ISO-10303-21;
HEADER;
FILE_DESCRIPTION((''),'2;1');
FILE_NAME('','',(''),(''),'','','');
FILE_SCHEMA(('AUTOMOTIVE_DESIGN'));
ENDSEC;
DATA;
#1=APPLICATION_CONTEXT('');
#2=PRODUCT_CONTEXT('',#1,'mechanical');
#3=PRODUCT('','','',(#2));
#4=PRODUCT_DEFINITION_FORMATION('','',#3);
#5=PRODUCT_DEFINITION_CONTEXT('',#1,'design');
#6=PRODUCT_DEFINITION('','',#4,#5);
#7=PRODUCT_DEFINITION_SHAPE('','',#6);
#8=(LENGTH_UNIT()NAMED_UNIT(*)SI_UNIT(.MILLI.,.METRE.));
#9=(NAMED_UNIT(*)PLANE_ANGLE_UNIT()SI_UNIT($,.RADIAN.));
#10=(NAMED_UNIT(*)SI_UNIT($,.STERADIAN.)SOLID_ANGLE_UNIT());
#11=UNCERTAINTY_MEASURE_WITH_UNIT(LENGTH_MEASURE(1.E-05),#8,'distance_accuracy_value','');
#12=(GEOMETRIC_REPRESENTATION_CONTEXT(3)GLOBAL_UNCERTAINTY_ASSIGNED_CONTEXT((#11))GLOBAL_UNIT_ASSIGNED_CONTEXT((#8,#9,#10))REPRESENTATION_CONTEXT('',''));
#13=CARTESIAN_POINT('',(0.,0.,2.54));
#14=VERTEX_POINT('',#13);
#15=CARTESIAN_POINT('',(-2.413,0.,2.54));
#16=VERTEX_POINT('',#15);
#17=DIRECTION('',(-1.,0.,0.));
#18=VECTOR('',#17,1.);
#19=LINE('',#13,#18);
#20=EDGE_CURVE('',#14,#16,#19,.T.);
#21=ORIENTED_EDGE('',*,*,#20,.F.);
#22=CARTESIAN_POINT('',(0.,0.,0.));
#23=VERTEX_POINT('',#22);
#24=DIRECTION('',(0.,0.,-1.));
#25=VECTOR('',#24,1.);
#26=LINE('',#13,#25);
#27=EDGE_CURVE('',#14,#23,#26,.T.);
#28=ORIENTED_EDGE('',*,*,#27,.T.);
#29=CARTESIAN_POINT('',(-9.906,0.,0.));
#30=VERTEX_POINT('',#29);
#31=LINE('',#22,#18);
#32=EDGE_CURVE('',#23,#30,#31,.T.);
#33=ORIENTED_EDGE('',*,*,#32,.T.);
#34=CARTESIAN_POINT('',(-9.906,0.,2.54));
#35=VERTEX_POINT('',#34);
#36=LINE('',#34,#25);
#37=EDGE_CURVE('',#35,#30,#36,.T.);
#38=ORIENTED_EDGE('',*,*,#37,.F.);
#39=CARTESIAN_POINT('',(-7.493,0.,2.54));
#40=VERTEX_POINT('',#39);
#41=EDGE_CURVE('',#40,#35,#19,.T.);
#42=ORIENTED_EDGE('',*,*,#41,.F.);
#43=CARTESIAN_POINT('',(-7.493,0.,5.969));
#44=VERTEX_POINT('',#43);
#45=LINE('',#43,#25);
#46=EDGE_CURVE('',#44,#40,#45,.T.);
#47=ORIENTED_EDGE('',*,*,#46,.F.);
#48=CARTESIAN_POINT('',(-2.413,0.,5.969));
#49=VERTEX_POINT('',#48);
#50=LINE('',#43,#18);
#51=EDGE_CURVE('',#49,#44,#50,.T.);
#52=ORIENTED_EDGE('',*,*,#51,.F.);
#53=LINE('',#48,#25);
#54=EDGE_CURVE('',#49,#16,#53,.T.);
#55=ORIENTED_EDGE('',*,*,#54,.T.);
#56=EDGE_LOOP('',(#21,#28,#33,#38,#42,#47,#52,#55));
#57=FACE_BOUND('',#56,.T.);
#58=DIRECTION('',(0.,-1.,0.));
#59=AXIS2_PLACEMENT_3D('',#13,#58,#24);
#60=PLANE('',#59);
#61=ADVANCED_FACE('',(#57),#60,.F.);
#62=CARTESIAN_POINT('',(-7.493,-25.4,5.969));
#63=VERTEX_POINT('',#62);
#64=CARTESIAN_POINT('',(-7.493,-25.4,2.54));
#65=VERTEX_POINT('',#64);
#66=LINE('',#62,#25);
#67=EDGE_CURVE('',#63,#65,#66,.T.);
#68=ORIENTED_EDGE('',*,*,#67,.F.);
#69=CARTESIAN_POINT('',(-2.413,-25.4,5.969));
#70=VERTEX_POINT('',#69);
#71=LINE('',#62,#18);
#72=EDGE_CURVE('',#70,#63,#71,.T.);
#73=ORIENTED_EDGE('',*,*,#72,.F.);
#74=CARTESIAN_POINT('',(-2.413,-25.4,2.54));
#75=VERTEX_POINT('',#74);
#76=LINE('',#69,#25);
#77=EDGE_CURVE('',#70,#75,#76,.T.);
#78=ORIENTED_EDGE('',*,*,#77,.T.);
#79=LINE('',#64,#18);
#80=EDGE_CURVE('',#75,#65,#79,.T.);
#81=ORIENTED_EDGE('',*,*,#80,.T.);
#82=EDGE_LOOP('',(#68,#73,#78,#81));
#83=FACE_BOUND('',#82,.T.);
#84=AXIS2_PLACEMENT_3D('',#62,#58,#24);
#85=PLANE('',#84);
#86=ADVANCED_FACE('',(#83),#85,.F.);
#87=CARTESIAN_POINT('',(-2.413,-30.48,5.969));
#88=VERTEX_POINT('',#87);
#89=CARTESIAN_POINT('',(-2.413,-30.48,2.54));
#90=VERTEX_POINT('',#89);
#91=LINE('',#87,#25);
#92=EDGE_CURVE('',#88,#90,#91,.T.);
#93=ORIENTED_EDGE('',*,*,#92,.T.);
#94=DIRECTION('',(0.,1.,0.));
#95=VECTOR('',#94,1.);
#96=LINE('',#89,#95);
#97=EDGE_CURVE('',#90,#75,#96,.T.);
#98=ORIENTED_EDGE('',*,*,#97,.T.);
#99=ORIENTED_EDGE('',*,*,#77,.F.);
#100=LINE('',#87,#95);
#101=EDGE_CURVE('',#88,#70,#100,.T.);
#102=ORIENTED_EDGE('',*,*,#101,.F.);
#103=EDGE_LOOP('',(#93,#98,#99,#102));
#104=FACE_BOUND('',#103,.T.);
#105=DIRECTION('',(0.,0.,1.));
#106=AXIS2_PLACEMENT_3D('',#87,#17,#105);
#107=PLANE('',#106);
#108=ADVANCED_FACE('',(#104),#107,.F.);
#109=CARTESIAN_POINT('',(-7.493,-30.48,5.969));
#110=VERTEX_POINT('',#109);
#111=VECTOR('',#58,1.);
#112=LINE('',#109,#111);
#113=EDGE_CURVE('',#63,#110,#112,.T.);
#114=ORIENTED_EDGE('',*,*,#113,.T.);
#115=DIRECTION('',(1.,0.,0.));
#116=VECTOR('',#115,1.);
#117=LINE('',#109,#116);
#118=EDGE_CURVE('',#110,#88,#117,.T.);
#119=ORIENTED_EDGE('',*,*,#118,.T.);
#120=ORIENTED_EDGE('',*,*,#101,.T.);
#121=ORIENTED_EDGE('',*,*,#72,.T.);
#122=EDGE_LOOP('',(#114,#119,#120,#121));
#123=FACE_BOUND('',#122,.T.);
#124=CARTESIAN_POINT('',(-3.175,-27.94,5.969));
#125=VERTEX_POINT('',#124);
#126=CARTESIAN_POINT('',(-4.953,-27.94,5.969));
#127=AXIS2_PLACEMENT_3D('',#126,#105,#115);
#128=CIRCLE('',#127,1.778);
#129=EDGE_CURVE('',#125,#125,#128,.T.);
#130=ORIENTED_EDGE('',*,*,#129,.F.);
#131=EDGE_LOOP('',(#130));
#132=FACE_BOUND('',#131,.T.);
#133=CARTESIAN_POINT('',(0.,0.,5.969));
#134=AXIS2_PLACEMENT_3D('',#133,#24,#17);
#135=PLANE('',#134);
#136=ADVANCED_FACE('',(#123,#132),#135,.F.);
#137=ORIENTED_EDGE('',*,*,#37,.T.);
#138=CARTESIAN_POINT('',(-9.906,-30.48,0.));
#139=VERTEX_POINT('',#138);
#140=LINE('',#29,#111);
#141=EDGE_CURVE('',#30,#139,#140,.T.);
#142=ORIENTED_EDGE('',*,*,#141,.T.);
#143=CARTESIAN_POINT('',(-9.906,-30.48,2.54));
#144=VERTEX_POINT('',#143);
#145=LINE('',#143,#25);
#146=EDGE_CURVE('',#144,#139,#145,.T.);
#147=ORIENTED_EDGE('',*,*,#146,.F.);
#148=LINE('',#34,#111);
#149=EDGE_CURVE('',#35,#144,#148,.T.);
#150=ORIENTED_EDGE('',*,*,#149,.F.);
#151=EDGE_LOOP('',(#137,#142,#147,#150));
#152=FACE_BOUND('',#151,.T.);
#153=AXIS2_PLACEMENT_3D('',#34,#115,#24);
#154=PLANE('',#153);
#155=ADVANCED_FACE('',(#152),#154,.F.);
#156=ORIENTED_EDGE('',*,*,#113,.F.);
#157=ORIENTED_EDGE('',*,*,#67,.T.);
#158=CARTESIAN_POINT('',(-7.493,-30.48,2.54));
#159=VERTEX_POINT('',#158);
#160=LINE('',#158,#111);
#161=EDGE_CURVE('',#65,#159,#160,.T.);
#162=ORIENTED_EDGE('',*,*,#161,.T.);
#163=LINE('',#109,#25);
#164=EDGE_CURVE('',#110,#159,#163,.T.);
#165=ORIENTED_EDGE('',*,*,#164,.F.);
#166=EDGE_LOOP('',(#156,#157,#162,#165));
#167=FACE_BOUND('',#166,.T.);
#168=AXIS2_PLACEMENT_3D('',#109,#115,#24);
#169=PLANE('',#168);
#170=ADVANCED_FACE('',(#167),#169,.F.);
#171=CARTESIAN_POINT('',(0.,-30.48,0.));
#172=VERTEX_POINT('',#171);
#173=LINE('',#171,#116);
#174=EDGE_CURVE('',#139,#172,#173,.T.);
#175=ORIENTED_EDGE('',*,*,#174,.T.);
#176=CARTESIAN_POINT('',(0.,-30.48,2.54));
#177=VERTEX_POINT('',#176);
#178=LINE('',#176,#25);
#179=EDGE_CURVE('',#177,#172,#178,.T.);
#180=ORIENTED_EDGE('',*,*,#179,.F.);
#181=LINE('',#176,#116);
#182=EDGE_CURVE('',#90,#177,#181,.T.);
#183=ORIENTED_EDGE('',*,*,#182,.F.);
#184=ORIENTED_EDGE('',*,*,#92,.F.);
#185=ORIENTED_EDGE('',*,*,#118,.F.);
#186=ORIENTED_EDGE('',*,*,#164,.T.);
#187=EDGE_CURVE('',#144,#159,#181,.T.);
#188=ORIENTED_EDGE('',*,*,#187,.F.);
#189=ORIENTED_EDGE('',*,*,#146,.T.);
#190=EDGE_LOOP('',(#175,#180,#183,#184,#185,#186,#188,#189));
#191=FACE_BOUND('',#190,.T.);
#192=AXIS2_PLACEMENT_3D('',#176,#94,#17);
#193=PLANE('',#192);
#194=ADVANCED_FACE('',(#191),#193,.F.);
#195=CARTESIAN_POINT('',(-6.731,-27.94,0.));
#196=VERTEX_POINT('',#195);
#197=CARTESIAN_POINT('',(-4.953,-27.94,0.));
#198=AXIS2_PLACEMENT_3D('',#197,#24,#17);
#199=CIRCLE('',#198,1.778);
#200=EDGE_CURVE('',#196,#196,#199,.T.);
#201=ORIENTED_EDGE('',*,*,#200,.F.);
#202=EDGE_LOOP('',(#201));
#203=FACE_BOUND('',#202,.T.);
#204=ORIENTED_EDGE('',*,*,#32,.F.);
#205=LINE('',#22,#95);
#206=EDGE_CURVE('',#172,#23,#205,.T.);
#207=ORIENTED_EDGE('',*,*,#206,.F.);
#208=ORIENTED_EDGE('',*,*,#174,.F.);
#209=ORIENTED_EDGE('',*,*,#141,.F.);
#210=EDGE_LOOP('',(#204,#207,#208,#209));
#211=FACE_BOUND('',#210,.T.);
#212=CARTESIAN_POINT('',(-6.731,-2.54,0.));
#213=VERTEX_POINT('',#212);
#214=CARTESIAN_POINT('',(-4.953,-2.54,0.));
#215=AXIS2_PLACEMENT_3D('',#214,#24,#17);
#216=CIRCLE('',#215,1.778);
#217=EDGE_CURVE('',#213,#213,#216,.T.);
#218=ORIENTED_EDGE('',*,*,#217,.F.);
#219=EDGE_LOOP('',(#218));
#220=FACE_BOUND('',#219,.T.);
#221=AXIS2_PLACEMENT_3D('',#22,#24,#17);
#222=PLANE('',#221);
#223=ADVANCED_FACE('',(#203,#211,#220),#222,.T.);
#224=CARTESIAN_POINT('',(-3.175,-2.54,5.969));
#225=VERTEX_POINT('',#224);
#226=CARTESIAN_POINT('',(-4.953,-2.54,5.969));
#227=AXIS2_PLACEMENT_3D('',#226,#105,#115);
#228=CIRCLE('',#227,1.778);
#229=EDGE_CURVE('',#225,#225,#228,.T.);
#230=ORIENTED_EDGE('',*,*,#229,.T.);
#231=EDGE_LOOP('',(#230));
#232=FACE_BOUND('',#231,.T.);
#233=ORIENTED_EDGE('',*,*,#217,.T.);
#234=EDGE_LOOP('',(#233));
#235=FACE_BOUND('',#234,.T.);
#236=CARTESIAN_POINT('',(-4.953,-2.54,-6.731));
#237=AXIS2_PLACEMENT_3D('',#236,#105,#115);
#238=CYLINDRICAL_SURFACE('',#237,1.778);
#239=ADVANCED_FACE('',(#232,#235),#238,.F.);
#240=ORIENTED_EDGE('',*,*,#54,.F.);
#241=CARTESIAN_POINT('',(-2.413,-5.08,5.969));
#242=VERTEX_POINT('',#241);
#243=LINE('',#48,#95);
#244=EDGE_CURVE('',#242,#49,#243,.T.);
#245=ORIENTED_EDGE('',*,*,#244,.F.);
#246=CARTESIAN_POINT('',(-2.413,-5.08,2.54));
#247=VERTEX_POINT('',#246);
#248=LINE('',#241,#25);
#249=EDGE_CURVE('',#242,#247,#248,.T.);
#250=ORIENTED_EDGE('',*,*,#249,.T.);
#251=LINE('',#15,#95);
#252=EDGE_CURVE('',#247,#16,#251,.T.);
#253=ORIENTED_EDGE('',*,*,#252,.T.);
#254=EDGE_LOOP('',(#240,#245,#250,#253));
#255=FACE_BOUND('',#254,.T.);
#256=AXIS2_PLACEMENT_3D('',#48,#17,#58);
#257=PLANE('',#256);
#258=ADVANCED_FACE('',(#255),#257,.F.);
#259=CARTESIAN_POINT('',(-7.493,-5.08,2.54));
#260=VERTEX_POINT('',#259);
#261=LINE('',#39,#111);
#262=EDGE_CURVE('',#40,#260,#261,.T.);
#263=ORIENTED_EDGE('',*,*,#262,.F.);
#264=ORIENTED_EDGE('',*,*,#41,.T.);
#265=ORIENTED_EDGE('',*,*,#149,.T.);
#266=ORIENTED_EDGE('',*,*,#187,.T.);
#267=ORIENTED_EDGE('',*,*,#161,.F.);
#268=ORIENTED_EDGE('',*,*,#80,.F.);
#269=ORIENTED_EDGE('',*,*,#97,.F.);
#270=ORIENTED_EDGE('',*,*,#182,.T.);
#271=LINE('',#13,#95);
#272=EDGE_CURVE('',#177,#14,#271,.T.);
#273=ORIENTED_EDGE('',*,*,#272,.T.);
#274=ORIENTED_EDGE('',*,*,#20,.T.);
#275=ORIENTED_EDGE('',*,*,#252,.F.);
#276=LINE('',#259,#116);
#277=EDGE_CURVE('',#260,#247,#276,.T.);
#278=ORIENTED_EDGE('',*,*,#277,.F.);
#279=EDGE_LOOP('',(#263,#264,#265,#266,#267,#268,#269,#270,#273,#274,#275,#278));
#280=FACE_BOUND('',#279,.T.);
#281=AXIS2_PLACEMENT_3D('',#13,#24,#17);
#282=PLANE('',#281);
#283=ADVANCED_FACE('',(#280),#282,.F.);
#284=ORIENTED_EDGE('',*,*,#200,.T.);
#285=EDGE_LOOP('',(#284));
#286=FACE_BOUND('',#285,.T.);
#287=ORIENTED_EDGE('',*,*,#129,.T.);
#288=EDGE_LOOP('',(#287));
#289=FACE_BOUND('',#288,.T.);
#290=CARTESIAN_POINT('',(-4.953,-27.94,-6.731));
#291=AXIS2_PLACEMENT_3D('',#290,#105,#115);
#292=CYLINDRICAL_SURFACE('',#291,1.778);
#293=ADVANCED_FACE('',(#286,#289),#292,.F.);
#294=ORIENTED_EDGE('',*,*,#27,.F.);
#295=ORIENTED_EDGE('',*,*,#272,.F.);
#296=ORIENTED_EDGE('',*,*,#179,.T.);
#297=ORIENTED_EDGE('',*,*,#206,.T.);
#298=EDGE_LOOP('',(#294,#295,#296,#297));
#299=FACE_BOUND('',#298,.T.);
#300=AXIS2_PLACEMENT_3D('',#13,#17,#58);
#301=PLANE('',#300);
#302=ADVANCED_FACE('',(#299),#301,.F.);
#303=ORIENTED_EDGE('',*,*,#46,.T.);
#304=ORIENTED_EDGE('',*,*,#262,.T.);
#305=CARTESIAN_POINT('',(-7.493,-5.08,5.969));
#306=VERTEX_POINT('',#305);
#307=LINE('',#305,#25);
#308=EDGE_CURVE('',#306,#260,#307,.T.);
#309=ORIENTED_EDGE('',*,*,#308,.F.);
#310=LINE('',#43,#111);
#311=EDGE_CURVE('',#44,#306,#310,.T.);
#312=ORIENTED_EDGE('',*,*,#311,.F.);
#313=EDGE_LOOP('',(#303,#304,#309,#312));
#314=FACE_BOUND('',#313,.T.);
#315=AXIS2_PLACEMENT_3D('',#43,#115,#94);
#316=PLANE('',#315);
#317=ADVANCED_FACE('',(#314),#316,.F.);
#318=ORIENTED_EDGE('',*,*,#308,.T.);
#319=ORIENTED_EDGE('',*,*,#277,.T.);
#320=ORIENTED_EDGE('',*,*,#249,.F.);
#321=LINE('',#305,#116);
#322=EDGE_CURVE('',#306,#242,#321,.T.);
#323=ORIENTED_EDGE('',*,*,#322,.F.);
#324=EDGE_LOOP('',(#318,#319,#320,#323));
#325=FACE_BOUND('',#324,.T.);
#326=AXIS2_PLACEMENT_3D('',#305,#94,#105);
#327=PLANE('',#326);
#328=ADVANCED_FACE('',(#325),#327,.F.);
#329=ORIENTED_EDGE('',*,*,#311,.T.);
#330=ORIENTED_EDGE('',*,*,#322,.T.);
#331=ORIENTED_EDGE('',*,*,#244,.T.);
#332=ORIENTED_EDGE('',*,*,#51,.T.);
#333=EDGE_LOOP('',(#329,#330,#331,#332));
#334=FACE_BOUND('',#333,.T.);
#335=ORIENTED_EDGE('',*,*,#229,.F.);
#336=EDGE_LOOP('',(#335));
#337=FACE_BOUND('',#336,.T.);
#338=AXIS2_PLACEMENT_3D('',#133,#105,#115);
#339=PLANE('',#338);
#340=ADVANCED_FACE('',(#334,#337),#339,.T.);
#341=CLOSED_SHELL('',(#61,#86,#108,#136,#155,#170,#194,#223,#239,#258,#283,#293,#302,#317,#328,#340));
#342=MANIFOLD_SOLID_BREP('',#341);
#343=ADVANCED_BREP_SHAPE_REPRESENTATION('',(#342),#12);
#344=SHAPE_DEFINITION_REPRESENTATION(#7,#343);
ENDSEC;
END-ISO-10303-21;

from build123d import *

# Parameters (mm, degrees)
SKETCH1_W           = 9.906
SKETCH1_H           = 30.48
BOSS_EXTRUDE1_DEPTH = 2.54
SKETCH2_W           = 5.08
SKETCH2_H           = 5.08
BOSS_EXTRUDE2_DEPTH = 3.429
SKETCH3_R           = 1.778
CUT_EXTRUDE1_DEPTH  = 12.7


with BuildPart() as part:
    # Sketch1 → Boss-Extrude1 (new body)
    with BuildSketch(Plane.XY):
        with Locations((-4.953, -15.24)):
            Rectangle(SKETCH1_W, SKETCH1_H)
    extrude(amount=BOSS_EXTRUDE1_DEPTH)

    # Sketch2 → Boss-Extrude2 (add)
    with BuildSketch(Plane.XY.offset(2.54)):
        with Locations((-4.953, -2.54)):
            Rectangle(SKETCH2_W, SKETCH2_H)
        with Locations((-4.953, -27.94)):
            Rectangle(SKETCH2_W, SKETCH2_H)
    extrude(amount=BOSS_EXTRUDE2_DEPTH)

    # Sketch3 → Cut-Extrude1 (cut)
    with BuildSketch(Plane.XY.offset(5.969)):
        with Locations((-4.953, -27.94)):
            Circle(SKETCH3_R)
        with Locations((-4.953, -2.54)):
            Circle(SKETCH3_R)
    extrude(amount=-CUT_EXTRUDE1_DEPTH, mode=Mode.SUBTRACT)


solid = part.part
